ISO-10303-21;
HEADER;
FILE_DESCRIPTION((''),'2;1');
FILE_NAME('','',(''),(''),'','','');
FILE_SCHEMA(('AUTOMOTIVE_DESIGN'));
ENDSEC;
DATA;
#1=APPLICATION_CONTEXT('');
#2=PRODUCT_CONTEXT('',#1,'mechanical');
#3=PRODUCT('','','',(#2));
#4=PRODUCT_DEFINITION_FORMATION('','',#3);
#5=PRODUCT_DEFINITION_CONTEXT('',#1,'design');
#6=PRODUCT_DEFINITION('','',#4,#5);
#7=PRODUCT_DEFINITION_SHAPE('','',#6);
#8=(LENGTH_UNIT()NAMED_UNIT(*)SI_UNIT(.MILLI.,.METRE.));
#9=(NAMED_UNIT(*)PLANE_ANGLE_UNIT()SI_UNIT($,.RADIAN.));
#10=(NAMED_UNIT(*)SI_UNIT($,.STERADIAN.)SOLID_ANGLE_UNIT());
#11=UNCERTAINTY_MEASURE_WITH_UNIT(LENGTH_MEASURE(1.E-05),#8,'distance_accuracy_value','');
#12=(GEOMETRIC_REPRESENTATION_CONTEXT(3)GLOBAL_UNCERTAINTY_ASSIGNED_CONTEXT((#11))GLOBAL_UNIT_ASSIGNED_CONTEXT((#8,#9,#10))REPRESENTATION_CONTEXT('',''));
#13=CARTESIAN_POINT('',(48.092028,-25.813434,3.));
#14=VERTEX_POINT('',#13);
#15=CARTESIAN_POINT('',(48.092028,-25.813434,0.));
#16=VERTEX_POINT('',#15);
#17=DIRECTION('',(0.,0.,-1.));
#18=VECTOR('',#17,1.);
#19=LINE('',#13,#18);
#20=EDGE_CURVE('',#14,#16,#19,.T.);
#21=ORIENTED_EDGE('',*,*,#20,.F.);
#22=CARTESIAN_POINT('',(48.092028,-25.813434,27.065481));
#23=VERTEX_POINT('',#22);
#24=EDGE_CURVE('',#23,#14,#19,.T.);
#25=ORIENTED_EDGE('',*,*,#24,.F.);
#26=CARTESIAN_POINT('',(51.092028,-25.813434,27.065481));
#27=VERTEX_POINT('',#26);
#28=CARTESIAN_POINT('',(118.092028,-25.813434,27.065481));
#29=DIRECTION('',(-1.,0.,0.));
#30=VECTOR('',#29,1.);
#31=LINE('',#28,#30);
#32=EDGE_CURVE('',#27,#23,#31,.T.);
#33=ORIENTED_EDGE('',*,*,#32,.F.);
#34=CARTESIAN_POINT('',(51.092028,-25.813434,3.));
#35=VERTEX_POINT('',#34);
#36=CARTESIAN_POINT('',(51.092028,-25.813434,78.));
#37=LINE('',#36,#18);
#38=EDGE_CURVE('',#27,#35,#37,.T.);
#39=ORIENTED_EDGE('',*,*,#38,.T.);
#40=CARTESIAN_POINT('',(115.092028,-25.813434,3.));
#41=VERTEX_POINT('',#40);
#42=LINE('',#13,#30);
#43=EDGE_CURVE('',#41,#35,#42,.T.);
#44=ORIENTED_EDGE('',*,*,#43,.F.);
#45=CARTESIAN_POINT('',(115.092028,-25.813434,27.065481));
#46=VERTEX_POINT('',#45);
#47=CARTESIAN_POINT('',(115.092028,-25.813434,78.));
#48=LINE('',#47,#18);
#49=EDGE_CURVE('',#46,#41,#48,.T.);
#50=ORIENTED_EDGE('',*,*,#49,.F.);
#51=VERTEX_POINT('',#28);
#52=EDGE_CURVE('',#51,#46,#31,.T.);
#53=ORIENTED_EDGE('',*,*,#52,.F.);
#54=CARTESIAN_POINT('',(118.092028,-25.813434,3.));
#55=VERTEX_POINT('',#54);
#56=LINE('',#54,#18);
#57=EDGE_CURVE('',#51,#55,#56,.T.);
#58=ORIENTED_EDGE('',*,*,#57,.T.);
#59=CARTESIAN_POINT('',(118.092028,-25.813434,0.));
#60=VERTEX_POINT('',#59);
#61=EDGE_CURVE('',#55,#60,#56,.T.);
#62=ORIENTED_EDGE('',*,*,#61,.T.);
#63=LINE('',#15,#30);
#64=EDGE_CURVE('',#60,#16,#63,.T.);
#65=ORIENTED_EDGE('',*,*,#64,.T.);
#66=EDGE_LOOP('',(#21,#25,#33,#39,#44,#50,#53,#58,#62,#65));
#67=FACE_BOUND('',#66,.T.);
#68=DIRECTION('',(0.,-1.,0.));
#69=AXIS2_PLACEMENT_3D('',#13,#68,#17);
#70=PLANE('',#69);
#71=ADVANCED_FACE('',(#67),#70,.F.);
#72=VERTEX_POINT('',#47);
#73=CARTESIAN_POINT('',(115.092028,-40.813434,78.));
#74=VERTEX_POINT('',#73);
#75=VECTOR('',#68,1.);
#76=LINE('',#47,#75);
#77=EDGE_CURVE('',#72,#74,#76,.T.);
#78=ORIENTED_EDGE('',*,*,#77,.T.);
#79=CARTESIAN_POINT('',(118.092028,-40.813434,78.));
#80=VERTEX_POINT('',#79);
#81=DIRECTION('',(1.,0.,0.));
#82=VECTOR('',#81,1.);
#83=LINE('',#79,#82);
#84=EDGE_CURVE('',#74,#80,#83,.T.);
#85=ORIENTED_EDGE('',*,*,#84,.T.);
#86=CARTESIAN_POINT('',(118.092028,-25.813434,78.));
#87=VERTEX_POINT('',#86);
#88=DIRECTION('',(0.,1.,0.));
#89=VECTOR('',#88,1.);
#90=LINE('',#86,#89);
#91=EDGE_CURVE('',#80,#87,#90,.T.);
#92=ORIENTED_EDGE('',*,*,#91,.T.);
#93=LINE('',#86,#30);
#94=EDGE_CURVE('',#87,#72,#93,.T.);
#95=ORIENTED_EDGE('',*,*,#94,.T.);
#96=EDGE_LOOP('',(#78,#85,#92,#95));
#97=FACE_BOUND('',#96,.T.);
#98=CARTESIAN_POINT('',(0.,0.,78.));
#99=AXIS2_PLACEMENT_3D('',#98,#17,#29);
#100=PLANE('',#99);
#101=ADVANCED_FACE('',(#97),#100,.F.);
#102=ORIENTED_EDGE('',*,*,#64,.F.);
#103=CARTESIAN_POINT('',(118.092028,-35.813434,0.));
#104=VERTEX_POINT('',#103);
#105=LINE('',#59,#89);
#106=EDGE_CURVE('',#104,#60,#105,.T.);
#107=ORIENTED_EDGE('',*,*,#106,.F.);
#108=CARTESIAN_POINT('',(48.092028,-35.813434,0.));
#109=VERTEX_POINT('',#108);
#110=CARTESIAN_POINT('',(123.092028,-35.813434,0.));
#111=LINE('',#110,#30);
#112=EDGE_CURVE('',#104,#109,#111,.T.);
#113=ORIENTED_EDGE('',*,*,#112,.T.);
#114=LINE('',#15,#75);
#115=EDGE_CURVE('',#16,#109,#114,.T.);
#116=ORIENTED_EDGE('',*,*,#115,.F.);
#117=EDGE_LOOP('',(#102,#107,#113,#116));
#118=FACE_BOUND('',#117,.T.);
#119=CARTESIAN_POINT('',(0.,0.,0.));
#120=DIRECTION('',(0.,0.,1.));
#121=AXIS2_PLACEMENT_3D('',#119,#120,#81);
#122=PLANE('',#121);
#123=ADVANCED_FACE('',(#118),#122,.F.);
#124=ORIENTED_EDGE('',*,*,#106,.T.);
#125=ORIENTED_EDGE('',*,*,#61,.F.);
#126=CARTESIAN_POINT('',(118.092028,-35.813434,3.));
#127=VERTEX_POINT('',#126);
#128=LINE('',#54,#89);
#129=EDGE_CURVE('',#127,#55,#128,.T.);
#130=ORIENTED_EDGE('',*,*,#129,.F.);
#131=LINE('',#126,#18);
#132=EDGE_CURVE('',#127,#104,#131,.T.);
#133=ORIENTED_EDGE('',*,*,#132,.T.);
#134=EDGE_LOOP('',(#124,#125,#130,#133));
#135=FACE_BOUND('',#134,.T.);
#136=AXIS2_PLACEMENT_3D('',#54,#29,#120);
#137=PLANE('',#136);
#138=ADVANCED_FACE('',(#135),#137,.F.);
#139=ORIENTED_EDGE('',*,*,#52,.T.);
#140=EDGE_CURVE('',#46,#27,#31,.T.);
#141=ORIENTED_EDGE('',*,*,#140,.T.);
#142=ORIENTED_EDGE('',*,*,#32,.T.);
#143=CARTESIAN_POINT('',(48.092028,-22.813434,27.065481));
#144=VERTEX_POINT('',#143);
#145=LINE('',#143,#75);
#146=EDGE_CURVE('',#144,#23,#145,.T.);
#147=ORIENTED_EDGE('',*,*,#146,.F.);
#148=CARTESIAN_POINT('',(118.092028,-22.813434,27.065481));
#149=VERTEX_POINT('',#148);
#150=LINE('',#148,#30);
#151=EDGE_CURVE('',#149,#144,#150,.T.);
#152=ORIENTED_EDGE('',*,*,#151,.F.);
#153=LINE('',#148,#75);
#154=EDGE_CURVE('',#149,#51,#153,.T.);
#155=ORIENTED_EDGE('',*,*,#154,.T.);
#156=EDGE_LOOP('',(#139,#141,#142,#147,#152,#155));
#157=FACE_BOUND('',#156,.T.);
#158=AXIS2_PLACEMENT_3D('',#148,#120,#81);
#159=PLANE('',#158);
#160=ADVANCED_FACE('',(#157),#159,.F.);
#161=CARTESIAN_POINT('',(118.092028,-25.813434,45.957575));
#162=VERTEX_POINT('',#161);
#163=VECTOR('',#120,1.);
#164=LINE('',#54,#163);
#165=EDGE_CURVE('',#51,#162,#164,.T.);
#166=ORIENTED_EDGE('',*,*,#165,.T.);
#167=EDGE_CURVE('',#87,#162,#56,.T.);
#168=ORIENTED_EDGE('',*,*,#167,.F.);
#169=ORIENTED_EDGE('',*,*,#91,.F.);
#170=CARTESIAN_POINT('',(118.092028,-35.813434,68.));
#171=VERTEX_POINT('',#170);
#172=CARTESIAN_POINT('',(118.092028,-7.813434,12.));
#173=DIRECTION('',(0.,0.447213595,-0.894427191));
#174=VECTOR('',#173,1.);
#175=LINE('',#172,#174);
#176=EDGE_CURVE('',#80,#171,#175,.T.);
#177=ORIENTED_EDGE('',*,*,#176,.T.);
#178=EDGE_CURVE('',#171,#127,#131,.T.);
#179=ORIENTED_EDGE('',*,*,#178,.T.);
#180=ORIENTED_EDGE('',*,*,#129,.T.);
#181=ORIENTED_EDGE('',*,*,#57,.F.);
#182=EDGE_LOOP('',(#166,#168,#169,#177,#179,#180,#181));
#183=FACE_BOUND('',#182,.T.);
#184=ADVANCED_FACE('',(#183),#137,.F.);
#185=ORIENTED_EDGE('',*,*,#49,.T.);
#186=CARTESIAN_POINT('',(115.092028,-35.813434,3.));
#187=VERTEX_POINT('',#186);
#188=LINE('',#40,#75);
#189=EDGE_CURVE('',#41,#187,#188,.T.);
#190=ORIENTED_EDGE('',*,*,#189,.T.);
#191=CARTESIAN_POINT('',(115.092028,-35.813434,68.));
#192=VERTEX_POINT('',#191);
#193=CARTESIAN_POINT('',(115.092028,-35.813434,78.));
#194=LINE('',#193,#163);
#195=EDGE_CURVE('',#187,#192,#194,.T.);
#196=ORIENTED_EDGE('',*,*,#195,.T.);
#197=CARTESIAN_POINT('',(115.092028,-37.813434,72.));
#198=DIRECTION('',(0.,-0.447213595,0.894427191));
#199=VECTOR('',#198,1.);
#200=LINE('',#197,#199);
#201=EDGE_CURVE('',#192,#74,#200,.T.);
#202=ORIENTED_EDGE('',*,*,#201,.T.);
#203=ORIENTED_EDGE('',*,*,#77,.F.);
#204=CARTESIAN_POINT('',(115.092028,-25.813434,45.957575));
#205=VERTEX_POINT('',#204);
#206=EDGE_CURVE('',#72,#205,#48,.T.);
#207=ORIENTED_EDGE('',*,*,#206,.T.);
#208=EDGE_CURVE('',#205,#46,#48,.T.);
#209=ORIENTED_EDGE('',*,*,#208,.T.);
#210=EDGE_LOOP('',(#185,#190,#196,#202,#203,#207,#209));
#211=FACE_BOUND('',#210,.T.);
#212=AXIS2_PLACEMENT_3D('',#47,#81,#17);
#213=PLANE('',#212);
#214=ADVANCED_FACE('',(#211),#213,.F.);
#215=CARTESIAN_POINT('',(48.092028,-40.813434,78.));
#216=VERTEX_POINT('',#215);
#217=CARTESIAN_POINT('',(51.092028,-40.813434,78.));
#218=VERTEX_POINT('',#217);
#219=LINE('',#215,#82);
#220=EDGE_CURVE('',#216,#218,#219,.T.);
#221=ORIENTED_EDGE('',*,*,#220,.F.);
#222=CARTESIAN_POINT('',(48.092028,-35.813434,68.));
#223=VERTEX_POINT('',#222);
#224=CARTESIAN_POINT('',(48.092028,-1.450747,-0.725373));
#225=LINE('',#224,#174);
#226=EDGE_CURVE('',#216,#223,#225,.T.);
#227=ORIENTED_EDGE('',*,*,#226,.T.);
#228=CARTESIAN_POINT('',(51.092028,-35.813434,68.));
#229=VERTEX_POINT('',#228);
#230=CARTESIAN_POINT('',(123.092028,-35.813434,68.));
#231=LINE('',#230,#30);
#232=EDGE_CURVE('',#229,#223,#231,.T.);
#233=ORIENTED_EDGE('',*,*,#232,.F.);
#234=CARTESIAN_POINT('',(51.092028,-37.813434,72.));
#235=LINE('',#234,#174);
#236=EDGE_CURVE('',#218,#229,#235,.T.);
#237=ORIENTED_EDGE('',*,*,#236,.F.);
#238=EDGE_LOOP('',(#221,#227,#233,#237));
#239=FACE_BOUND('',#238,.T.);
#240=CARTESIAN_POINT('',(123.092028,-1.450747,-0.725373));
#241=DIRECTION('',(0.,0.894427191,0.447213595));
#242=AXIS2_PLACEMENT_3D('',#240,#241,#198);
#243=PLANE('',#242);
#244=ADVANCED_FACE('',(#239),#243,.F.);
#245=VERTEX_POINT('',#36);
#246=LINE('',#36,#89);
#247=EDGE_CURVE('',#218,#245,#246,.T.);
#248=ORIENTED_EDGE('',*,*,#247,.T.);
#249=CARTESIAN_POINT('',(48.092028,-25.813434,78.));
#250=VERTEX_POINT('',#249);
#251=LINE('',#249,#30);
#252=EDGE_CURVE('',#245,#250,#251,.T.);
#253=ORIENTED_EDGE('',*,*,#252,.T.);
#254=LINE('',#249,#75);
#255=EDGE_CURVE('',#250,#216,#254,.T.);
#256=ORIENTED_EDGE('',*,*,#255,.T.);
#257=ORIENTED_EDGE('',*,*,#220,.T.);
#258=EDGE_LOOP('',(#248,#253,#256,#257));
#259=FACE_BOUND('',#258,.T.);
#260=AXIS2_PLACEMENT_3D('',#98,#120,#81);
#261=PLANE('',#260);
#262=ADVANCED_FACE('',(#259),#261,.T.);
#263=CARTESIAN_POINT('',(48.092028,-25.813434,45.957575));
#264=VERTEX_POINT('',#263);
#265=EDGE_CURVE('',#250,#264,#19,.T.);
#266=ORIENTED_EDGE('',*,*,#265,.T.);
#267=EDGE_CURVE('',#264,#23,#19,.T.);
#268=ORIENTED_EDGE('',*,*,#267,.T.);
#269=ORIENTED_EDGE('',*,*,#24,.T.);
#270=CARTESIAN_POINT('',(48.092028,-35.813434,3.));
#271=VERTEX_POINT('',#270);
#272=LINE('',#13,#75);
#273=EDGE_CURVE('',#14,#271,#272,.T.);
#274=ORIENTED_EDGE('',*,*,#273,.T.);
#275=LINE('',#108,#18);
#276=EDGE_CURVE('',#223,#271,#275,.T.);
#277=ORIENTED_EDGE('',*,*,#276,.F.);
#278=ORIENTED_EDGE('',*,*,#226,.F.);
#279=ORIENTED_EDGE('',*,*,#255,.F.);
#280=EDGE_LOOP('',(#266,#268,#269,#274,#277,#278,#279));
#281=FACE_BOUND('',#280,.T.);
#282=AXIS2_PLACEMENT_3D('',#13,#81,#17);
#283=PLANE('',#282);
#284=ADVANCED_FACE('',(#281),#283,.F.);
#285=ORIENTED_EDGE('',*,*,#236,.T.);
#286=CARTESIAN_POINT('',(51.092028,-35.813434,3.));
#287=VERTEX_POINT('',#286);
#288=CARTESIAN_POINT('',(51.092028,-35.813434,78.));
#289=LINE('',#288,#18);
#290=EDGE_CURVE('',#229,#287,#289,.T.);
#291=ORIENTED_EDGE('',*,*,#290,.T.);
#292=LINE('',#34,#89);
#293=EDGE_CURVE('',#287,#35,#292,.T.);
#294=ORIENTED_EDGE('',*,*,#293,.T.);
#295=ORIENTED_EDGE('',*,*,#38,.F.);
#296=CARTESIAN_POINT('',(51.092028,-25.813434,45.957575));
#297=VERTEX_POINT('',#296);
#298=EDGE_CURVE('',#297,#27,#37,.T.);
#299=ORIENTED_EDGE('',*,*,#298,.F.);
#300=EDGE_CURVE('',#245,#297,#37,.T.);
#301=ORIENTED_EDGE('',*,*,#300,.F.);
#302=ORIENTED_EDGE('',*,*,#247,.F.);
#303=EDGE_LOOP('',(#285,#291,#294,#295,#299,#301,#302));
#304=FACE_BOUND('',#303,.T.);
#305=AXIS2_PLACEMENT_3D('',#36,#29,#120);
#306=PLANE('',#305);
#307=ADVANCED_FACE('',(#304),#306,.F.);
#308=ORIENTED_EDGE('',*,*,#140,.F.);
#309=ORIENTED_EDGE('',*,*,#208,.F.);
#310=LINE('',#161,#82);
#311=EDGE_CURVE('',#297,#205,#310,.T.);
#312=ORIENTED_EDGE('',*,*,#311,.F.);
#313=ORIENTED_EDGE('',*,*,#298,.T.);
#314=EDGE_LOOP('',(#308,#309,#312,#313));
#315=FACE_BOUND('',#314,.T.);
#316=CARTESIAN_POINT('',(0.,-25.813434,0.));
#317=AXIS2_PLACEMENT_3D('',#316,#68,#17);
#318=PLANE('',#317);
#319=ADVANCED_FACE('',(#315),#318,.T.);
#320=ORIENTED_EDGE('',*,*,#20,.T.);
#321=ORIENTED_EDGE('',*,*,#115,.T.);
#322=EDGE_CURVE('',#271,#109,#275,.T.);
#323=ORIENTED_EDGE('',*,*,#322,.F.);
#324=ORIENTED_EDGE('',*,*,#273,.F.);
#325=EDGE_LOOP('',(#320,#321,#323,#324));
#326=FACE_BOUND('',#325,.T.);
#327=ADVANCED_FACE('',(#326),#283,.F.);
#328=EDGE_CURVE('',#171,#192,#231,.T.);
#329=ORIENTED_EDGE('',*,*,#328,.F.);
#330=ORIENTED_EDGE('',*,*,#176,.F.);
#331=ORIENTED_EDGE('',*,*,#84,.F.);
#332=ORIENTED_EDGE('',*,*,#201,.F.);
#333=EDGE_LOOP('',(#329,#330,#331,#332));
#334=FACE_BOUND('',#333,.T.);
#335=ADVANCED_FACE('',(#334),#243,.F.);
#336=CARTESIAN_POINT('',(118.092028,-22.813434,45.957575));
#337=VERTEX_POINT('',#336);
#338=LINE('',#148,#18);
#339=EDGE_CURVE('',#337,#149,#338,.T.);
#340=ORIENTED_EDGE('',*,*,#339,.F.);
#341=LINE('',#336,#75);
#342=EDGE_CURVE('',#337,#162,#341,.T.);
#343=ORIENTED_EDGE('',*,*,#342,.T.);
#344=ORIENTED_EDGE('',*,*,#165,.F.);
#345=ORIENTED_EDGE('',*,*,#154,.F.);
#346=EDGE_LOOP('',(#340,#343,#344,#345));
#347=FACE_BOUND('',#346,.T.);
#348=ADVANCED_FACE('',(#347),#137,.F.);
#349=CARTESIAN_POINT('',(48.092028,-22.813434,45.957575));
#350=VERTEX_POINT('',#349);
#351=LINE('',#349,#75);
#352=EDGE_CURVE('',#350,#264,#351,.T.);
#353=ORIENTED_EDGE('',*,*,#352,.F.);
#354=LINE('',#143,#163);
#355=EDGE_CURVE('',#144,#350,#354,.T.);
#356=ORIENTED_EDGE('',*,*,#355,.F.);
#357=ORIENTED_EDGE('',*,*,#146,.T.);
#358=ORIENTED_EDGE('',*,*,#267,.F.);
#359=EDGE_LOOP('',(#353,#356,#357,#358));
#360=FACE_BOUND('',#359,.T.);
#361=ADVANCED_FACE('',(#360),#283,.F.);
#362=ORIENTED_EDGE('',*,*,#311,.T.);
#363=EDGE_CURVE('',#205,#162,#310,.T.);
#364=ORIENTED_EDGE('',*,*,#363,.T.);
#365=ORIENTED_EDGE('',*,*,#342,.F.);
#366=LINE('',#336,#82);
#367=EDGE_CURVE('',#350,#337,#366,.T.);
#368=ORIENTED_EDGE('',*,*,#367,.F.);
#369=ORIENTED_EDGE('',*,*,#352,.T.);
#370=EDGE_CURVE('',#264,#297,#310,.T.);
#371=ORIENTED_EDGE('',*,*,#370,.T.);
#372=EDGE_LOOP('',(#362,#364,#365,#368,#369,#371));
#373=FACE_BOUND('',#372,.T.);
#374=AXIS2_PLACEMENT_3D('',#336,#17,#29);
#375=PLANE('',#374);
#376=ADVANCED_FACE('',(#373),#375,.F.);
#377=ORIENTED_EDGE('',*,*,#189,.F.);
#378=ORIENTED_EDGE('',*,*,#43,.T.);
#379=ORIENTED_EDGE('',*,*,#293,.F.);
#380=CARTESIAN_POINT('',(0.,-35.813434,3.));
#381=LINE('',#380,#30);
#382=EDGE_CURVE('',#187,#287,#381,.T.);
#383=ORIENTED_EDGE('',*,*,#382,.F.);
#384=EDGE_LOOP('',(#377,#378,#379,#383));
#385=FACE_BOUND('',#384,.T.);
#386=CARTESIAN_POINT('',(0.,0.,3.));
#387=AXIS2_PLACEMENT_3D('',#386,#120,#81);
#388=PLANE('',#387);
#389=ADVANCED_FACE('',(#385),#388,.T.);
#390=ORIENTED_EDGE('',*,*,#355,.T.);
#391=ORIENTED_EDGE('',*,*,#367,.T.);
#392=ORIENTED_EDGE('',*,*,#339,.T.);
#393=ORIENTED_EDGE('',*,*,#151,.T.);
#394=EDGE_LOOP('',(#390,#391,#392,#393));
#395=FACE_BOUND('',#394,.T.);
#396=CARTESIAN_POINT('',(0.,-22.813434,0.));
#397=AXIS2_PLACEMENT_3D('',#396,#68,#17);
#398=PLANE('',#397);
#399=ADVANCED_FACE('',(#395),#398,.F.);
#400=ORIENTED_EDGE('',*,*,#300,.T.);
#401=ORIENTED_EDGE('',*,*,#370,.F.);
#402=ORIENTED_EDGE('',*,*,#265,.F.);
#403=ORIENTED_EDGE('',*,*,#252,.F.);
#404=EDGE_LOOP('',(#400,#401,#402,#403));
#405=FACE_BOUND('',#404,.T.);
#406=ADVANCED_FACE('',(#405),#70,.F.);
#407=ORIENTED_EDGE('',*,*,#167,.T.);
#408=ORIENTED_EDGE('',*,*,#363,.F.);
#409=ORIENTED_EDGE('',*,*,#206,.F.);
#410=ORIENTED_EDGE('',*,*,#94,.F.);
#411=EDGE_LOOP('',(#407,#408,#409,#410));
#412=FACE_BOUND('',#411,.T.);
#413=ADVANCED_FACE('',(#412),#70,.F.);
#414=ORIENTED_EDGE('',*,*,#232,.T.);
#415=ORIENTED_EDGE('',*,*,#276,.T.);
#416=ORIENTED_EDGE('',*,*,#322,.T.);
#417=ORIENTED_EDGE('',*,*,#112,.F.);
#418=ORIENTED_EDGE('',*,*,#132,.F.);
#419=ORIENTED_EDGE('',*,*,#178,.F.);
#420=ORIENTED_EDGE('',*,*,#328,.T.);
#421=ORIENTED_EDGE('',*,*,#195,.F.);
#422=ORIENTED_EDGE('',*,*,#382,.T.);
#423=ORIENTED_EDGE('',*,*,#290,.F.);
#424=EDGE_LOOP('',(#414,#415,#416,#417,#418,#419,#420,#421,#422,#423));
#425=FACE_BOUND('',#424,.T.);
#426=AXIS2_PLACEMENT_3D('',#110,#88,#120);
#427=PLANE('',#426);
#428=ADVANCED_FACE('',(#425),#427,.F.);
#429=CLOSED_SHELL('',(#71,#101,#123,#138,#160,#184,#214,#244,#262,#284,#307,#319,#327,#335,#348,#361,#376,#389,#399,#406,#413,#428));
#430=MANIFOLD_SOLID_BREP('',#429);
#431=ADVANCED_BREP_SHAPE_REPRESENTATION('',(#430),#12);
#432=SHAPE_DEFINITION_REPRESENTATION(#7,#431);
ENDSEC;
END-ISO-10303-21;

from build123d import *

# Parameters (mm, degrees)
SKETCH1_W           = 70
SKETCH1_H           = 15
BOSS_EXTRUDE1_DEPTH = 3
SKETCH2_W           = 3
SKETCH2_H           = 15
BOSS_EXTRUDE2_DEPTH = 75
CUT_EXTRUDE1_DEPTH  = 75
SKETCH4_W           = 70
SKETCH4_H           = 18.892094127
BOSS_EXTRUDE3_DEPTH = 3


with BuildPart() as part:
    # Sketch1 → Boss-Extrude1 (new body)
    with BuildSketch(Plane.XY):
        with Locations((83.09202796, -33.31343354)):
            Rectangle(SKETCH1_W, SKETCH1_H)
    extrude(amount=BOSS_EXTRUDE1_DEPTH)

    # Sketch2 → Boss-Extrude2 (add)
    with BuildSketch(Plane.XY.offset(3)):
        with Locations((49.59202796, -33.31343354)):
            Rectangle(SKETCH2_W, SKETCH2_H)
        with Locations((116.59202796, -33.31343354)):
            Rectangle(SKETCH2_W, SKETCH2_H)
    extrude(amount=BOSS_EXTRUDE2_DEPTH)

    # Sketch3 → Cut-Extrude1 (cut)
    with BuildSketch(Plane.ZY.offset(-48.09202796)):
        Polygon((0, -40.81343354), (78, -40.81343354), (68, -35.81343354), (0, -35.81343354), align=None)
    extrude(amount=-CUT_EXTRUDE1_DEPTH, mode=Mode.SUBTRACT)

    # Sketch4 → Boss-Extrude3 (add)
    with BuildSketch(Plane(origin=(0, -25.81343354, 0), x_dir=(1, 0, 0), z_dir=(0, 1, 0))):
        with Locations((83.09202796, -36.511528279)):
            Rectangle(SKETCH4_W, SKETCH4_H)
    extrude(amount=BOSS_EXTRUDE3_DEPTH)


solid = part.part
